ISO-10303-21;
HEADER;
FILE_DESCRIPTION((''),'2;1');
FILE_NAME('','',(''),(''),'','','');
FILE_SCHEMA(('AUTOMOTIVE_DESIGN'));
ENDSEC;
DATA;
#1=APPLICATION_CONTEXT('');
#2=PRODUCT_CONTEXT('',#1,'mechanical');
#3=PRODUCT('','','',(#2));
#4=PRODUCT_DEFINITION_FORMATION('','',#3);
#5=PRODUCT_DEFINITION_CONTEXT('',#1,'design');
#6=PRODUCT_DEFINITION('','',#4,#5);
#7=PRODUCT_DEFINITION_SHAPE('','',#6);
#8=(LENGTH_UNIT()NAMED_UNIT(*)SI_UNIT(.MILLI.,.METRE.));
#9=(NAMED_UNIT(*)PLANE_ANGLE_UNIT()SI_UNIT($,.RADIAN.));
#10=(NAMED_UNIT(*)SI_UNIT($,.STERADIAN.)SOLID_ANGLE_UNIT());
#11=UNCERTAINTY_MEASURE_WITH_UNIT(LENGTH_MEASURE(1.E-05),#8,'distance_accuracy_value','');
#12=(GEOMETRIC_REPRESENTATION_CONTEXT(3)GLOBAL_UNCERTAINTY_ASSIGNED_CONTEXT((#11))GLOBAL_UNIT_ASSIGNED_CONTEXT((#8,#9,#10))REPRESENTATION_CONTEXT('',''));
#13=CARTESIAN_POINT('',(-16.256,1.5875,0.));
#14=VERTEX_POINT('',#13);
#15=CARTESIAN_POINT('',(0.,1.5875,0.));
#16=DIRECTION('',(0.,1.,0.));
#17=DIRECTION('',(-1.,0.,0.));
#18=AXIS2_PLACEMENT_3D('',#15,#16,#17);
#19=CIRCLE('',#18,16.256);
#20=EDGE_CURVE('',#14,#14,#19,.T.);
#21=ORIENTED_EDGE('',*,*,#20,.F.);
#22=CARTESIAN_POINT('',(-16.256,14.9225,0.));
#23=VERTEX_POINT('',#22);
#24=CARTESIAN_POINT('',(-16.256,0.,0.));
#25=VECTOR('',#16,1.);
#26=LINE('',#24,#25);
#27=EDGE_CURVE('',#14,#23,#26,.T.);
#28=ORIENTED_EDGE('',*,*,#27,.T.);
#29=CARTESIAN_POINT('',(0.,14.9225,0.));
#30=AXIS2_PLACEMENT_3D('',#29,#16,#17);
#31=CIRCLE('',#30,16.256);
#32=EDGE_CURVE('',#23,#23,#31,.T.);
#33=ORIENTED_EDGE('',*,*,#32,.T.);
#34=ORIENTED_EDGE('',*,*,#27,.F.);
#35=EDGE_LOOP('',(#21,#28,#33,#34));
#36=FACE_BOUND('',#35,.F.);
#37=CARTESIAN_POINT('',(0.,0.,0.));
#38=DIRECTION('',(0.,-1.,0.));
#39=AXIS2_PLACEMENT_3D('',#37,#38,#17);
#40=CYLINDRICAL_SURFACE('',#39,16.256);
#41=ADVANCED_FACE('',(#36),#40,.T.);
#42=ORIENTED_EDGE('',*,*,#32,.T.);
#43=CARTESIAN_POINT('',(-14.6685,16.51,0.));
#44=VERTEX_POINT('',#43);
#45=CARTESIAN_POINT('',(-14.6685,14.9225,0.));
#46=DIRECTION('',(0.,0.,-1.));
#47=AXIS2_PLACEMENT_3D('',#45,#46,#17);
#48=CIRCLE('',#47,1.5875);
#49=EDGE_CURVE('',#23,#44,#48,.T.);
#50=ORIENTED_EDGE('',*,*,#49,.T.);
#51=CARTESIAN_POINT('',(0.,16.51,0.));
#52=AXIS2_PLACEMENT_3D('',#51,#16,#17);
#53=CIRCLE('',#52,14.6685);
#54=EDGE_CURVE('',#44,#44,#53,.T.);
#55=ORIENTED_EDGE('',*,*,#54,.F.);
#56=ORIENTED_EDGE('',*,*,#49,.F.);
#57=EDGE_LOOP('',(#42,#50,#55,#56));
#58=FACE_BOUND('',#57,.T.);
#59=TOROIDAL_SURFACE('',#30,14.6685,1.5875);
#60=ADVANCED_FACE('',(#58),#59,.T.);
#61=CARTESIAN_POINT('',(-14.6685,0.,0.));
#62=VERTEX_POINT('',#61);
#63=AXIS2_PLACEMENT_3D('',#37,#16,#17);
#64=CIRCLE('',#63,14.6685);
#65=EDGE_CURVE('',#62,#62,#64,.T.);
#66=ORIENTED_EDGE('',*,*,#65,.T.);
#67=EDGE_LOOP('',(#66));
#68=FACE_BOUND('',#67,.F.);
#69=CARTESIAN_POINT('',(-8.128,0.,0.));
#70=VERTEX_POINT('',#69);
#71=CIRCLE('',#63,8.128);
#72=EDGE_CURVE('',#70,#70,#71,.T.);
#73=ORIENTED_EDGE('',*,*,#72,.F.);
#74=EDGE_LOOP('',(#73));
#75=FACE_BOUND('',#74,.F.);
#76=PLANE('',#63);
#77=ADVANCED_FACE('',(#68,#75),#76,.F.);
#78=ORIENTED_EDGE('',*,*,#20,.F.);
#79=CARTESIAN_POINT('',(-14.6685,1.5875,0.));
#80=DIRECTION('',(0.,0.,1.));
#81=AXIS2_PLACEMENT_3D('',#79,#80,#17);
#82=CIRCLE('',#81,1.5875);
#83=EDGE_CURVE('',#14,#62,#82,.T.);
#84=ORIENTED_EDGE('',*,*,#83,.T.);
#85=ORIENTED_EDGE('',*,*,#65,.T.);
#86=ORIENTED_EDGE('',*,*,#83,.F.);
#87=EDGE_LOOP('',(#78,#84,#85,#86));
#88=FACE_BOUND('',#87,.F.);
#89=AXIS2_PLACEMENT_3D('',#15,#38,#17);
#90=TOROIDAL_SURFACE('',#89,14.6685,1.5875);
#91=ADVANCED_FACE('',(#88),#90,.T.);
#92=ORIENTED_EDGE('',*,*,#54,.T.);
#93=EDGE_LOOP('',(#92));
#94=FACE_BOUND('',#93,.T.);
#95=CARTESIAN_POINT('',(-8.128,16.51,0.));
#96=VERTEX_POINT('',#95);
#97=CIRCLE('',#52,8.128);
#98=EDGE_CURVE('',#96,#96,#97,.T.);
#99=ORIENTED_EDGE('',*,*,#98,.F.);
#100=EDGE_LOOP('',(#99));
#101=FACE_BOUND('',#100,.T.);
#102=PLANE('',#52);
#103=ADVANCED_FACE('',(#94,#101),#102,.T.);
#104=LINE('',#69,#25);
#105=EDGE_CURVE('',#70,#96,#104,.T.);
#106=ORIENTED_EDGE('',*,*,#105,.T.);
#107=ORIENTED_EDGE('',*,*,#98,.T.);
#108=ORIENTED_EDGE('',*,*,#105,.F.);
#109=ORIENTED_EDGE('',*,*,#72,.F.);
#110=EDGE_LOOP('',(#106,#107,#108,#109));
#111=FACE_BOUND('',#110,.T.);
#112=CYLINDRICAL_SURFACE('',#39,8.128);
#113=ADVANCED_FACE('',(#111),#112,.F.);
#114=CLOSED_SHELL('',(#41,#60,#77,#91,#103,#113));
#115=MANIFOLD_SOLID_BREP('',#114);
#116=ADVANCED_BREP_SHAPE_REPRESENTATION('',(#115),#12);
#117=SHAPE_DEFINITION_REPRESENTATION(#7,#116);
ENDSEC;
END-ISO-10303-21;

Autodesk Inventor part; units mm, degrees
ref_plane "YZ Plane" through (0, 0, 0) normal (1, 0, 0) x (0, 1, 0)
ref_plane "XZ Plane" through (0, 0, 0) normal (0, 1, 0) x (-1, 0, 0)
ref_plane "XY Plane" through (0, 0, 0) normal (0, 0, 1) x (1, 0, 0)
sketch "Sketch1" plane through (0, 0, 0) normal (0, 1, 0) x (-1, 0, 0)
  circle A0 centre (0, 0) radius 16.256
  circle A1 centre (0, 0) radius 8.128
  dimension "d0" = 32.512
  dimension "d1" = 16.256
extrude "Extrusion1" add sketch "Sketch1" along normal blind 16.51
fillet "Fillet1" radius 1.5875 2 edges at (16.256, 16.51, 0) (16.256, 0, 0)
properties part number "torroid"
